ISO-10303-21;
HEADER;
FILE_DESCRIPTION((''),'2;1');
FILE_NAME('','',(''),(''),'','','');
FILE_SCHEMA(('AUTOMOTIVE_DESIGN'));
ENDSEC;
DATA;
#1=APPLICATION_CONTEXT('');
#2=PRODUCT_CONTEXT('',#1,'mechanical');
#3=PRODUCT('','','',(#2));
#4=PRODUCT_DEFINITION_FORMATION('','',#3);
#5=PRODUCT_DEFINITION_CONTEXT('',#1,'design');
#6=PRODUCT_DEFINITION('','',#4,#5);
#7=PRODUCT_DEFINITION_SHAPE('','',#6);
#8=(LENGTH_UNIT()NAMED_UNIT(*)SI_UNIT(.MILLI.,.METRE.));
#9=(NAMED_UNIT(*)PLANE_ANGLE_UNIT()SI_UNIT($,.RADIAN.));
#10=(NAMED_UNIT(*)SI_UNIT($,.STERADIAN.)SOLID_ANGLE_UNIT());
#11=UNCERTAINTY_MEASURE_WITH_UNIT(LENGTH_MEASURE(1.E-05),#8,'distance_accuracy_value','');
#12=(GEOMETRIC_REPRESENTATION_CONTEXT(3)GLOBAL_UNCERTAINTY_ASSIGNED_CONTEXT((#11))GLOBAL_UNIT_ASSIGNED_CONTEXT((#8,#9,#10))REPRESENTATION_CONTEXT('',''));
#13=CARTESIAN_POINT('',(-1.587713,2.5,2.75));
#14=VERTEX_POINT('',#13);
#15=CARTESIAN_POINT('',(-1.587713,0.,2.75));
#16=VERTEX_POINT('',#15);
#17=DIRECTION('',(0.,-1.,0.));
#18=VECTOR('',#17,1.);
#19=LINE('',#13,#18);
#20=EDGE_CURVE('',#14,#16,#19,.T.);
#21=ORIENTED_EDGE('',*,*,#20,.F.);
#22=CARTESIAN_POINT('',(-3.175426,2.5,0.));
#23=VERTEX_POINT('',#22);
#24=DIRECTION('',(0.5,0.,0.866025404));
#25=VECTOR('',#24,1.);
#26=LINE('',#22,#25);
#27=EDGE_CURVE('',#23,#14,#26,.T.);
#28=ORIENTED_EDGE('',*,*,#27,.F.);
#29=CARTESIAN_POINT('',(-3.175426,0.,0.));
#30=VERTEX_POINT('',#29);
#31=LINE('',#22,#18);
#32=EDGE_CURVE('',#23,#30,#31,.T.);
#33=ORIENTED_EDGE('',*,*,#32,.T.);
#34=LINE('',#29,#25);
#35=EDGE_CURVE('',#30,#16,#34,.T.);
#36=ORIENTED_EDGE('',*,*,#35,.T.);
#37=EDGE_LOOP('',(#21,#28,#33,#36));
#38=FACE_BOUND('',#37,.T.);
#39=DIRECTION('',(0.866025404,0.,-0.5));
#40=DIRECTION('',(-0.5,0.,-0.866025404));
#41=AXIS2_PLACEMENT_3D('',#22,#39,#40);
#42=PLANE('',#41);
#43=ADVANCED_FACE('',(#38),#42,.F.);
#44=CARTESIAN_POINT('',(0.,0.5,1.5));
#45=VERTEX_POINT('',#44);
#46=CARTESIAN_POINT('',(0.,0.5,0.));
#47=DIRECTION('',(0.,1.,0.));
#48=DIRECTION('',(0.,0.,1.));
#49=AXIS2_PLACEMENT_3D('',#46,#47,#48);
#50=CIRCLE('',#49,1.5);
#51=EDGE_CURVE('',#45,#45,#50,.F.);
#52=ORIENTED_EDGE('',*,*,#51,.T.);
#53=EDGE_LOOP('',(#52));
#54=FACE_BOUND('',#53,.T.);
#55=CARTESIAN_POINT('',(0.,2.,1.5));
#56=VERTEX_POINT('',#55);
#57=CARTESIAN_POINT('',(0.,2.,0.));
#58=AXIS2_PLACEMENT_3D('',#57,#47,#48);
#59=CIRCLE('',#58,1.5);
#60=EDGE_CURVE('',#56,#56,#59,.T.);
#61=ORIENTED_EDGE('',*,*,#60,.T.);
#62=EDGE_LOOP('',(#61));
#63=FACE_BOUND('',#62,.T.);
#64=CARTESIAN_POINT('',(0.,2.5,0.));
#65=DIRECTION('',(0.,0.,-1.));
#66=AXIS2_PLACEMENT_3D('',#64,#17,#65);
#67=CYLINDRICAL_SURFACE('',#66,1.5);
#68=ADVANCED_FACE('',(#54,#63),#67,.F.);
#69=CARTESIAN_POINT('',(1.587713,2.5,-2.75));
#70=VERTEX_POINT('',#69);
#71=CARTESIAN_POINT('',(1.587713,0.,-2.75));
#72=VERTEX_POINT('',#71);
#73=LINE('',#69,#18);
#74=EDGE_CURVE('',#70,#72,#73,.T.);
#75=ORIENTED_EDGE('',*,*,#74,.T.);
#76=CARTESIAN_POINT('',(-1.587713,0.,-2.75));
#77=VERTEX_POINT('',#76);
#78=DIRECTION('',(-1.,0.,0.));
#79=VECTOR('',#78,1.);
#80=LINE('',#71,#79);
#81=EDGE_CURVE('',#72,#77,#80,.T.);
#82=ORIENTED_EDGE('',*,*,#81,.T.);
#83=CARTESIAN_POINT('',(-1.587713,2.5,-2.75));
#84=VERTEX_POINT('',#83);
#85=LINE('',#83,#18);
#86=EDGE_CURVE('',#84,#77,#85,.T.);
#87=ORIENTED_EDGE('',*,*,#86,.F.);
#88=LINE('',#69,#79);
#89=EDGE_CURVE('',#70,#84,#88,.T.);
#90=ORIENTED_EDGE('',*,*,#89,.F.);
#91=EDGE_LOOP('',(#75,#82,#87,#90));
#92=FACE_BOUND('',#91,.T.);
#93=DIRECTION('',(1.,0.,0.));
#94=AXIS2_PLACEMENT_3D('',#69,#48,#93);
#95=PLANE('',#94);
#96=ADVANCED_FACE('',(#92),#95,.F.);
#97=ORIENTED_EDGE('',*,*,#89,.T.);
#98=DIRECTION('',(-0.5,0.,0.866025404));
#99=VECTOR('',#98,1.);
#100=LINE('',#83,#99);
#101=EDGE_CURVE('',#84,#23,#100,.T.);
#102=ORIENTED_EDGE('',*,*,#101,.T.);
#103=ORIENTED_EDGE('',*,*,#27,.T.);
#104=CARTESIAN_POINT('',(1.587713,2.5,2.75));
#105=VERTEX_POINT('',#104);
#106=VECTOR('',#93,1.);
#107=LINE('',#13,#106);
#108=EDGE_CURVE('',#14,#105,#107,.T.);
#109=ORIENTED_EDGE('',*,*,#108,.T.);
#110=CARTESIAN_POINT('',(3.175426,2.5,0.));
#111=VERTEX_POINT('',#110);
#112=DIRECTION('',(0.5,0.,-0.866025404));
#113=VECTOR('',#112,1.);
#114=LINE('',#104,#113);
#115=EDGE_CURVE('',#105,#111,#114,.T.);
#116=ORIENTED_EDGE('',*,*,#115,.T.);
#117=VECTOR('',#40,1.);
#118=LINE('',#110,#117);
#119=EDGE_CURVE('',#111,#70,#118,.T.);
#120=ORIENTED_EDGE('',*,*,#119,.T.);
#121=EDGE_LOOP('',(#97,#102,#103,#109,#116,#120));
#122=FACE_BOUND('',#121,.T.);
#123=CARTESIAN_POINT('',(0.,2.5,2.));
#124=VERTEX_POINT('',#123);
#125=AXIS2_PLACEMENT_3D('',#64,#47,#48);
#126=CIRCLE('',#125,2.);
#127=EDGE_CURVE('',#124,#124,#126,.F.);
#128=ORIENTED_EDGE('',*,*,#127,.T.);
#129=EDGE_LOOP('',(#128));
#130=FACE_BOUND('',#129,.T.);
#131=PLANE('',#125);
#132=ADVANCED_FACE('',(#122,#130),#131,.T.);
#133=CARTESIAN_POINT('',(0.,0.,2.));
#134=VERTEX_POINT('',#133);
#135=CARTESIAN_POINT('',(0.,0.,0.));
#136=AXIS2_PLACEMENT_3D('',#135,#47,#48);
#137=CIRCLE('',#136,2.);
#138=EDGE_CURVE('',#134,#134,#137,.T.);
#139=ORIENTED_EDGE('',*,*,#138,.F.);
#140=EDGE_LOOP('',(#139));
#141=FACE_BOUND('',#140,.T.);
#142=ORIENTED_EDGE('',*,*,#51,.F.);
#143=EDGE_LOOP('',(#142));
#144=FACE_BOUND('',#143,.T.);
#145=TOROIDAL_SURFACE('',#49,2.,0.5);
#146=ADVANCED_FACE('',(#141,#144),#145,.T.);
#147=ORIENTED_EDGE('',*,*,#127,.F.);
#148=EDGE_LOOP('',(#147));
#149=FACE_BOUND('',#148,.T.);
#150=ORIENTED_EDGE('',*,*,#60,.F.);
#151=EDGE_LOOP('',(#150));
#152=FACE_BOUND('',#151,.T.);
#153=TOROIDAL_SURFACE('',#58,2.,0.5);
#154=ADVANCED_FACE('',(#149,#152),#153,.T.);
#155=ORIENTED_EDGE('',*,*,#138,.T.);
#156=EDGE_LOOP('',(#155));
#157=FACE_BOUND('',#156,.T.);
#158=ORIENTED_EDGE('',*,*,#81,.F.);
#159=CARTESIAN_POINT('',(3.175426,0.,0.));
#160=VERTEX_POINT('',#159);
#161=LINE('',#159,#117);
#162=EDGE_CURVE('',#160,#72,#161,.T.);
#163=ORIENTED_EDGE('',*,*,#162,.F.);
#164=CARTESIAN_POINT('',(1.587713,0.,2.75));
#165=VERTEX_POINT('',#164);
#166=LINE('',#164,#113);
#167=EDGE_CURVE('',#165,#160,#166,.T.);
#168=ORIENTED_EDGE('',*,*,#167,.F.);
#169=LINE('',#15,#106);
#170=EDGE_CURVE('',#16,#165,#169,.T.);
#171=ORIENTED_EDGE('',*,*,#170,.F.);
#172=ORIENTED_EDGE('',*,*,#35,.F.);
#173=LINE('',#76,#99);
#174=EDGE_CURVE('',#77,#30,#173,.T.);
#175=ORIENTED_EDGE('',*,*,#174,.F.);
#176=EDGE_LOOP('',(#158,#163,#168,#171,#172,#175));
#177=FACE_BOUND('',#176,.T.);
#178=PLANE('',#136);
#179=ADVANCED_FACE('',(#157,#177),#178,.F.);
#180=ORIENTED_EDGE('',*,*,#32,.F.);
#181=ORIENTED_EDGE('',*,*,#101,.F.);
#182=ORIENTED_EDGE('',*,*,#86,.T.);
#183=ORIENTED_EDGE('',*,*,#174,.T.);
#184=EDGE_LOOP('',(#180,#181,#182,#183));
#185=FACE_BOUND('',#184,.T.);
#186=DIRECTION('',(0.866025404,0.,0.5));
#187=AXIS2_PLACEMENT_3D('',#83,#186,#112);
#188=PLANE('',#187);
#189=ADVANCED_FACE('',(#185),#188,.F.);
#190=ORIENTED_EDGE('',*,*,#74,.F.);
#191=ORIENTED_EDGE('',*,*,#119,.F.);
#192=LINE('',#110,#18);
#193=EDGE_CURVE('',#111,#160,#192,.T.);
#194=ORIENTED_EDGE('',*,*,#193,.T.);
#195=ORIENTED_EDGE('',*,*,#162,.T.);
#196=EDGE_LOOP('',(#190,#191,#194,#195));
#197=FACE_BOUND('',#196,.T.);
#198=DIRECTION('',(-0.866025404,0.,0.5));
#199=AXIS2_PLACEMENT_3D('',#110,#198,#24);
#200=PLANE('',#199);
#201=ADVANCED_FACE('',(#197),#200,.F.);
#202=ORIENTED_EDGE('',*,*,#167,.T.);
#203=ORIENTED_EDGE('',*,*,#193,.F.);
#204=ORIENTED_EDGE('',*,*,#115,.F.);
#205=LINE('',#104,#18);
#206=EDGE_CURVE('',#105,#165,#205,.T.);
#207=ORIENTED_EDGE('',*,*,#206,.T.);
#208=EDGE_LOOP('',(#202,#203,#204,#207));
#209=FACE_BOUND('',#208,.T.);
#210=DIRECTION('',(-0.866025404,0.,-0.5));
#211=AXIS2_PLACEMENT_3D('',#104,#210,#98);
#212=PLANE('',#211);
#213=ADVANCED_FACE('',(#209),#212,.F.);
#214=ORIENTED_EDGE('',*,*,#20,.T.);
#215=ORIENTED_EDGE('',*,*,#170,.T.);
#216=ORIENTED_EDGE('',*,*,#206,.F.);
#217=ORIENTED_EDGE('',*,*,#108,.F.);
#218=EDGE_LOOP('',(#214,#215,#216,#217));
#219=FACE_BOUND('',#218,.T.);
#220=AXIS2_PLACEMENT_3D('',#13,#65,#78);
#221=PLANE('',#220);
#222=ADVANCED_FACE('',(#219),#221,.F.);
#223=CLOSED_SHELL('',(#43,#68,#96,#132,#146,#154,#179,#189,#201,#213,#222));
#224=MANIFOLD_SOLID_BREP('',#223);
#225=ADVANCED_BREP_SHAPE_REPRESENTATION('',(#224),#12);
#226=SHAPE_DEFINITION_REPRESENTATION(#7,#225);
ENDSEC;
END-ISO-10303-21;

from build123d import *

# Parameters (mm, degrees)
SKETCH1_R           = 1.5
BOSS_EXTRUDE1_DEPTH = 2.5
FILLET1_R           = 0.5


with BuildPart() as part:
    # Sketch1 → Boss-Extrude1 (new body)
    with BuildSketch(Plane(origin=(0, 0, 0), x_dir=(1, 0, 0), z_dir=(0, 1, 0))):
        Polygon((-3.175426481, 0), (-1.58771324, -2.75), (1.58771324, -2.75), (3.175426481, 0), (1.58771324, 2.75), (-1.58771324, 2.75), align=None)
        with Locations(Location((0, 0, 0), (0, 0, 270))):
            Circle(SKETCH1_R, mode=Mode.SUBTRACT)
    extrude(amount=BOSS_EXTRUDE1_DEPTH)

    # Fillet1
    fillet1_edges = [part.edges().sort_by_distance(p)[0] for p in [
        (0, 0, -1.5),
        (0, 2.5, -1.5),
    ]]
    fillet(fillet1_edges, radius=FILLET1_R)


solid = part.part
